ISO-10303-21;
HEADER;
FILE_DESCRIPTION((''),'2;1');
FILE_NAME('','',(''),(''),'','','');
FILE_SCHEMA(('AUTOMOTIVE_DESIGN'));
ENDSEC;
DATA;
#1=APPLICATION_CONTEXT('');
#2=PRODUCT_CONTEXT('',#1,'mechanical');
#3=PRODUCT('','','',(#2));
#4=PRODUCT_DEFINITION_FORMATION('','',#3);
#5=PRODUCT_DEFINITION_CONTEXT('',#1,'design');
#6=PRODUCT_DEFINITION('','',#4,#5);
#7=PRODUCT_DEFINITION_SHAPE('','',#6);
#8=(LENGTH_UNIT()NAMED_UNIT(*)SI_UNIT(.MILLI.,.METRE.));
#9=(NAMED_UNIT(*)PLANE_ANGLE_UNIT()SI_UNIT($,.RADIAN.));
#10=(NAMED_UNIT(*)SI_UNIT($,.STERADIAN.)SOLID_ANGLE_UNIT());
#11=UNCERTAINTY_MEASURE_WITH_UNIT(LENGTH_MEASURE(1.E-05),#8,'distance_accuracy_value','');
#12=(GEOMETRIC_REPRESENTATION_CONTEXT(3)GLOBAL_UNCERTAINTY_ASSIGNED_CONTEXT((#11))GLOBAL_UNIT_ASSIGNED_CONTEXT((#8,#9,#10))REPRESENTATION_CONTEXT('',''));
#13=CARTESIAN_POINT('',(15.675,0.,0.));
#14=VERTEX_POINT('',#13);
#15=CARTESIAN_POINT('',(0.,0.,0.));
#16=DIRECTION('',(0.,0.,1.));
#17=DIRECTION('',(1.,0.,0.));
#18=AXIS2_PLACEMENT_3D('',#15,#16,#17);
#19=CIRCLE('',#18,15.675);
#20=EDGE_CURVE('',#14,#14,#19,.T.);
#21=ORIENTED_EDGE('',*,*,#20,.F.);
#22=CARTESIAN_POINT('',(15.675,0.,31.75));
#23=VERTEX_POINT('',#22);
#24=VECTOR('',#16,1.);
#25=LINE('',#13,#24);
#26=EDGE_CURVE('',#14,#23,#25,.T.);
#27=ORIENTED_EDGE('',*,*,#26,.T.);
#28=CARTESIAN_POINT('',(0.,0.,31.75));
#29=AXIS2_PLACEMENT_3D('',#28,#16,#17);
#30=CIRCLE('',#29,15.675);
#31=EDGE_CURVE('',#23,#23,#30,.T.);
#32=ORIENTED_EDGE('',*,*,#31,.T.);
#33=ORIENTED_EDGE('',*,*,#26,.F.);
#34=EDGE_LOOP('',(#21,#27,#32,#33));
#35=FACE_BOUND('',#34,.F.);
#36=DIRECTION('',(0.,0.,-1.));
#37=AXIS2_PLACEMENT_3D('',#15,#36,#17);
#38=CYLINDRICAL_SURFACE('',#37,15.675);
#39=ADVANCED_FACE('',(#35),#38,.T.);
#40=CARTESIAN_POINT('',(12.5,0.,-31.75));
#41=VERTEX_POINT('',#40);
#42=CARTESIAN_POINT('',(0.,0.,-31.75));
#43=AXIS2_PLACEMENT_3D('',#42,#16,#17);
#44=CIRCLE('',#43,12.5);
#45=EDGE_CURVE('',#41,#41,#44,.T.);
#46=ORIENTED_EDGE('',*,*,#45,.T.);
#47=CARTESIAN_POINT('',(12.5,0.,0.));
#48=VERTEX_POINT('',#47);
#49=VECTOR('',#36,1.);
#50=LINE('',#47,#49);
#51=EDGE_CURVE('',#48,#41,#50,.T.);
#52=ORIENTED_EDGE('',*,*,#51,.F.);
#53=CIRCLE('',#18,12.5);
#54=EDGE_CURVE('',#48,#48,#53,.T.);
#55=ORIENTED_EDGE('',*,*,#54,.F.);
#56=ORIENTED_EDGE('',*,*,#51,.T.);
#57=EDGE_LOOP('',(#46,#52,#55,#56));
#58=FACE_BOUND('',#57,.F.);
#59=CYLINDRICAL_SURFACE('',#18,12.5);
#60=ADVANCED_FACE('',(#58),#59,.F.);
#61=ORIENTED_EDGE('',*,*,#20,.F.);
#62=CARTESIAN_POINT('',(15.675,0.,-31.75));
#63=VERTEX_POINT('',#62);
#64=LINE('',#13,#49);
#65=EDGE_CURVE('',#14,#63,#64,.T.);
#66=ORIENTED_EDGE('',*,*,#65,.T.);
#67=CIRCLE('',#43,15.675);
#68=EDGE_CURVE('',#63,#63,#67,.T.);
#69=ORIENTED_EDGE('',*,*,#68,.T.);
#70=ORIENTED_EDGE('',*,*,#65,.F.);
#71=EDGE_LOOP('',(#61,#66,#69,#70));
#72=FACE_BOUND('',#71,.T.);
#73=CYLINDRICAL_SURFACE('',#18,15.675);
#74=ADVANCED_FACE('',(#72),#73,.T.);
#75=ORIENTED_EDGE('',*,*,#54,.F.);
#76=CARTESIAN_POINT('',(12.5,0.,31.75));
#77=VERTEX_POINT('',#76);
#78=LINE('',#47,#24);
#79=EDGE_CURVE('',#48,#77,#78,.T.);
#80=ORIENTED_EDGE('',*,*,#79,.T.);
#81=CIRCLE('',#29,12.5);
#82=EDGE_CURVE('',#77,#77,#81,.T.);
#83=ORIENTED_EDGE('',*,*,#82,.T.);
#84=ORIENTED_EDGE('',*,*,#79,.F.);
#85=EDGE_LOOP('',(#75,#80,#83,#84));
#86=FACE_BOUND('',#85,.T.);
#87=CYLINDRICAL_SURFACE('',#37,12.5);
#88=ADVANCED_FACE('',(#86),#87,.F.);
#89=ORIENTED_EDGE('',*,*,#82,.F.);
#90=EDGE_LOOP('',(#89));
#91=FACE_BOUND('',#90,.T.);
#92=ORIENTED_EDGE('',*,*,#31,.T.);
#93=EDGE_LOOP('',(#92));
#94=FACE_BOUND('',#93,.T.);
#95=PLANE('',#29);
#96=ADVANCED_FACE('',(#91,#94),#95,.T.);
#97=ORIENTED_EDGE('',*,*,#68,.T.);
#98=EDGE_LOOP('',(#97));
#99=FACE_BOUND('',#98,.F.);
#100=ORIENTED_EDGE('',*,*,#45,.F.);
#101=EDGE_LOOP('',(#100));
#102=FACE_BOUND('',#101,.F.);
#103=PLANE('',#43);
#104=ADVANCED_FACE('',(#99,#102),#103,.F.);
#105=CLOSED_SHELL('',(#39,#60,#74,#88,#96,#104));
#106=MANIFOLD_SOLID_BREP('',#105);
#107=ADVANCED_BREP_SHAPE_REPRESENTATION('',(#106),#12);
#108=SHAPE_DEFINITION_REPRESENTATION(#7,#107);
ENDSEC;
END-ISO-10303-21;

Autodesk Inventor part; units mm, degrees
ref_plane "YZ Plane" through (0, 0, 0) normal (1, 0, 0) x (0, 1, 0)
ref_plane "XZ Plane" through (0, 0, 0) normal (0, 1, 0) x (-1, 0, 0)
ref_plane "XY Plane" through (0, 0, 0) normal (0, 0, 1) x (1, 0, 0)
sketch "Sketch1" plane through (0, 0, 0) normal (0, 0, 1) x (1, 0, 0)
  circle A0 centre (0, 0) radius 12.5
  circle A1 centre (0, 0) radius 15.675
  dimension "d0" = 25
  dimension "d1" = 3.175
extrude "Extrusion1" add sketch "Sketch1" along normal mid plane 63.5
properties part number "DPLX_P034_RPS VIPE Viton Insualtion" material "Rubber, Silicone"
